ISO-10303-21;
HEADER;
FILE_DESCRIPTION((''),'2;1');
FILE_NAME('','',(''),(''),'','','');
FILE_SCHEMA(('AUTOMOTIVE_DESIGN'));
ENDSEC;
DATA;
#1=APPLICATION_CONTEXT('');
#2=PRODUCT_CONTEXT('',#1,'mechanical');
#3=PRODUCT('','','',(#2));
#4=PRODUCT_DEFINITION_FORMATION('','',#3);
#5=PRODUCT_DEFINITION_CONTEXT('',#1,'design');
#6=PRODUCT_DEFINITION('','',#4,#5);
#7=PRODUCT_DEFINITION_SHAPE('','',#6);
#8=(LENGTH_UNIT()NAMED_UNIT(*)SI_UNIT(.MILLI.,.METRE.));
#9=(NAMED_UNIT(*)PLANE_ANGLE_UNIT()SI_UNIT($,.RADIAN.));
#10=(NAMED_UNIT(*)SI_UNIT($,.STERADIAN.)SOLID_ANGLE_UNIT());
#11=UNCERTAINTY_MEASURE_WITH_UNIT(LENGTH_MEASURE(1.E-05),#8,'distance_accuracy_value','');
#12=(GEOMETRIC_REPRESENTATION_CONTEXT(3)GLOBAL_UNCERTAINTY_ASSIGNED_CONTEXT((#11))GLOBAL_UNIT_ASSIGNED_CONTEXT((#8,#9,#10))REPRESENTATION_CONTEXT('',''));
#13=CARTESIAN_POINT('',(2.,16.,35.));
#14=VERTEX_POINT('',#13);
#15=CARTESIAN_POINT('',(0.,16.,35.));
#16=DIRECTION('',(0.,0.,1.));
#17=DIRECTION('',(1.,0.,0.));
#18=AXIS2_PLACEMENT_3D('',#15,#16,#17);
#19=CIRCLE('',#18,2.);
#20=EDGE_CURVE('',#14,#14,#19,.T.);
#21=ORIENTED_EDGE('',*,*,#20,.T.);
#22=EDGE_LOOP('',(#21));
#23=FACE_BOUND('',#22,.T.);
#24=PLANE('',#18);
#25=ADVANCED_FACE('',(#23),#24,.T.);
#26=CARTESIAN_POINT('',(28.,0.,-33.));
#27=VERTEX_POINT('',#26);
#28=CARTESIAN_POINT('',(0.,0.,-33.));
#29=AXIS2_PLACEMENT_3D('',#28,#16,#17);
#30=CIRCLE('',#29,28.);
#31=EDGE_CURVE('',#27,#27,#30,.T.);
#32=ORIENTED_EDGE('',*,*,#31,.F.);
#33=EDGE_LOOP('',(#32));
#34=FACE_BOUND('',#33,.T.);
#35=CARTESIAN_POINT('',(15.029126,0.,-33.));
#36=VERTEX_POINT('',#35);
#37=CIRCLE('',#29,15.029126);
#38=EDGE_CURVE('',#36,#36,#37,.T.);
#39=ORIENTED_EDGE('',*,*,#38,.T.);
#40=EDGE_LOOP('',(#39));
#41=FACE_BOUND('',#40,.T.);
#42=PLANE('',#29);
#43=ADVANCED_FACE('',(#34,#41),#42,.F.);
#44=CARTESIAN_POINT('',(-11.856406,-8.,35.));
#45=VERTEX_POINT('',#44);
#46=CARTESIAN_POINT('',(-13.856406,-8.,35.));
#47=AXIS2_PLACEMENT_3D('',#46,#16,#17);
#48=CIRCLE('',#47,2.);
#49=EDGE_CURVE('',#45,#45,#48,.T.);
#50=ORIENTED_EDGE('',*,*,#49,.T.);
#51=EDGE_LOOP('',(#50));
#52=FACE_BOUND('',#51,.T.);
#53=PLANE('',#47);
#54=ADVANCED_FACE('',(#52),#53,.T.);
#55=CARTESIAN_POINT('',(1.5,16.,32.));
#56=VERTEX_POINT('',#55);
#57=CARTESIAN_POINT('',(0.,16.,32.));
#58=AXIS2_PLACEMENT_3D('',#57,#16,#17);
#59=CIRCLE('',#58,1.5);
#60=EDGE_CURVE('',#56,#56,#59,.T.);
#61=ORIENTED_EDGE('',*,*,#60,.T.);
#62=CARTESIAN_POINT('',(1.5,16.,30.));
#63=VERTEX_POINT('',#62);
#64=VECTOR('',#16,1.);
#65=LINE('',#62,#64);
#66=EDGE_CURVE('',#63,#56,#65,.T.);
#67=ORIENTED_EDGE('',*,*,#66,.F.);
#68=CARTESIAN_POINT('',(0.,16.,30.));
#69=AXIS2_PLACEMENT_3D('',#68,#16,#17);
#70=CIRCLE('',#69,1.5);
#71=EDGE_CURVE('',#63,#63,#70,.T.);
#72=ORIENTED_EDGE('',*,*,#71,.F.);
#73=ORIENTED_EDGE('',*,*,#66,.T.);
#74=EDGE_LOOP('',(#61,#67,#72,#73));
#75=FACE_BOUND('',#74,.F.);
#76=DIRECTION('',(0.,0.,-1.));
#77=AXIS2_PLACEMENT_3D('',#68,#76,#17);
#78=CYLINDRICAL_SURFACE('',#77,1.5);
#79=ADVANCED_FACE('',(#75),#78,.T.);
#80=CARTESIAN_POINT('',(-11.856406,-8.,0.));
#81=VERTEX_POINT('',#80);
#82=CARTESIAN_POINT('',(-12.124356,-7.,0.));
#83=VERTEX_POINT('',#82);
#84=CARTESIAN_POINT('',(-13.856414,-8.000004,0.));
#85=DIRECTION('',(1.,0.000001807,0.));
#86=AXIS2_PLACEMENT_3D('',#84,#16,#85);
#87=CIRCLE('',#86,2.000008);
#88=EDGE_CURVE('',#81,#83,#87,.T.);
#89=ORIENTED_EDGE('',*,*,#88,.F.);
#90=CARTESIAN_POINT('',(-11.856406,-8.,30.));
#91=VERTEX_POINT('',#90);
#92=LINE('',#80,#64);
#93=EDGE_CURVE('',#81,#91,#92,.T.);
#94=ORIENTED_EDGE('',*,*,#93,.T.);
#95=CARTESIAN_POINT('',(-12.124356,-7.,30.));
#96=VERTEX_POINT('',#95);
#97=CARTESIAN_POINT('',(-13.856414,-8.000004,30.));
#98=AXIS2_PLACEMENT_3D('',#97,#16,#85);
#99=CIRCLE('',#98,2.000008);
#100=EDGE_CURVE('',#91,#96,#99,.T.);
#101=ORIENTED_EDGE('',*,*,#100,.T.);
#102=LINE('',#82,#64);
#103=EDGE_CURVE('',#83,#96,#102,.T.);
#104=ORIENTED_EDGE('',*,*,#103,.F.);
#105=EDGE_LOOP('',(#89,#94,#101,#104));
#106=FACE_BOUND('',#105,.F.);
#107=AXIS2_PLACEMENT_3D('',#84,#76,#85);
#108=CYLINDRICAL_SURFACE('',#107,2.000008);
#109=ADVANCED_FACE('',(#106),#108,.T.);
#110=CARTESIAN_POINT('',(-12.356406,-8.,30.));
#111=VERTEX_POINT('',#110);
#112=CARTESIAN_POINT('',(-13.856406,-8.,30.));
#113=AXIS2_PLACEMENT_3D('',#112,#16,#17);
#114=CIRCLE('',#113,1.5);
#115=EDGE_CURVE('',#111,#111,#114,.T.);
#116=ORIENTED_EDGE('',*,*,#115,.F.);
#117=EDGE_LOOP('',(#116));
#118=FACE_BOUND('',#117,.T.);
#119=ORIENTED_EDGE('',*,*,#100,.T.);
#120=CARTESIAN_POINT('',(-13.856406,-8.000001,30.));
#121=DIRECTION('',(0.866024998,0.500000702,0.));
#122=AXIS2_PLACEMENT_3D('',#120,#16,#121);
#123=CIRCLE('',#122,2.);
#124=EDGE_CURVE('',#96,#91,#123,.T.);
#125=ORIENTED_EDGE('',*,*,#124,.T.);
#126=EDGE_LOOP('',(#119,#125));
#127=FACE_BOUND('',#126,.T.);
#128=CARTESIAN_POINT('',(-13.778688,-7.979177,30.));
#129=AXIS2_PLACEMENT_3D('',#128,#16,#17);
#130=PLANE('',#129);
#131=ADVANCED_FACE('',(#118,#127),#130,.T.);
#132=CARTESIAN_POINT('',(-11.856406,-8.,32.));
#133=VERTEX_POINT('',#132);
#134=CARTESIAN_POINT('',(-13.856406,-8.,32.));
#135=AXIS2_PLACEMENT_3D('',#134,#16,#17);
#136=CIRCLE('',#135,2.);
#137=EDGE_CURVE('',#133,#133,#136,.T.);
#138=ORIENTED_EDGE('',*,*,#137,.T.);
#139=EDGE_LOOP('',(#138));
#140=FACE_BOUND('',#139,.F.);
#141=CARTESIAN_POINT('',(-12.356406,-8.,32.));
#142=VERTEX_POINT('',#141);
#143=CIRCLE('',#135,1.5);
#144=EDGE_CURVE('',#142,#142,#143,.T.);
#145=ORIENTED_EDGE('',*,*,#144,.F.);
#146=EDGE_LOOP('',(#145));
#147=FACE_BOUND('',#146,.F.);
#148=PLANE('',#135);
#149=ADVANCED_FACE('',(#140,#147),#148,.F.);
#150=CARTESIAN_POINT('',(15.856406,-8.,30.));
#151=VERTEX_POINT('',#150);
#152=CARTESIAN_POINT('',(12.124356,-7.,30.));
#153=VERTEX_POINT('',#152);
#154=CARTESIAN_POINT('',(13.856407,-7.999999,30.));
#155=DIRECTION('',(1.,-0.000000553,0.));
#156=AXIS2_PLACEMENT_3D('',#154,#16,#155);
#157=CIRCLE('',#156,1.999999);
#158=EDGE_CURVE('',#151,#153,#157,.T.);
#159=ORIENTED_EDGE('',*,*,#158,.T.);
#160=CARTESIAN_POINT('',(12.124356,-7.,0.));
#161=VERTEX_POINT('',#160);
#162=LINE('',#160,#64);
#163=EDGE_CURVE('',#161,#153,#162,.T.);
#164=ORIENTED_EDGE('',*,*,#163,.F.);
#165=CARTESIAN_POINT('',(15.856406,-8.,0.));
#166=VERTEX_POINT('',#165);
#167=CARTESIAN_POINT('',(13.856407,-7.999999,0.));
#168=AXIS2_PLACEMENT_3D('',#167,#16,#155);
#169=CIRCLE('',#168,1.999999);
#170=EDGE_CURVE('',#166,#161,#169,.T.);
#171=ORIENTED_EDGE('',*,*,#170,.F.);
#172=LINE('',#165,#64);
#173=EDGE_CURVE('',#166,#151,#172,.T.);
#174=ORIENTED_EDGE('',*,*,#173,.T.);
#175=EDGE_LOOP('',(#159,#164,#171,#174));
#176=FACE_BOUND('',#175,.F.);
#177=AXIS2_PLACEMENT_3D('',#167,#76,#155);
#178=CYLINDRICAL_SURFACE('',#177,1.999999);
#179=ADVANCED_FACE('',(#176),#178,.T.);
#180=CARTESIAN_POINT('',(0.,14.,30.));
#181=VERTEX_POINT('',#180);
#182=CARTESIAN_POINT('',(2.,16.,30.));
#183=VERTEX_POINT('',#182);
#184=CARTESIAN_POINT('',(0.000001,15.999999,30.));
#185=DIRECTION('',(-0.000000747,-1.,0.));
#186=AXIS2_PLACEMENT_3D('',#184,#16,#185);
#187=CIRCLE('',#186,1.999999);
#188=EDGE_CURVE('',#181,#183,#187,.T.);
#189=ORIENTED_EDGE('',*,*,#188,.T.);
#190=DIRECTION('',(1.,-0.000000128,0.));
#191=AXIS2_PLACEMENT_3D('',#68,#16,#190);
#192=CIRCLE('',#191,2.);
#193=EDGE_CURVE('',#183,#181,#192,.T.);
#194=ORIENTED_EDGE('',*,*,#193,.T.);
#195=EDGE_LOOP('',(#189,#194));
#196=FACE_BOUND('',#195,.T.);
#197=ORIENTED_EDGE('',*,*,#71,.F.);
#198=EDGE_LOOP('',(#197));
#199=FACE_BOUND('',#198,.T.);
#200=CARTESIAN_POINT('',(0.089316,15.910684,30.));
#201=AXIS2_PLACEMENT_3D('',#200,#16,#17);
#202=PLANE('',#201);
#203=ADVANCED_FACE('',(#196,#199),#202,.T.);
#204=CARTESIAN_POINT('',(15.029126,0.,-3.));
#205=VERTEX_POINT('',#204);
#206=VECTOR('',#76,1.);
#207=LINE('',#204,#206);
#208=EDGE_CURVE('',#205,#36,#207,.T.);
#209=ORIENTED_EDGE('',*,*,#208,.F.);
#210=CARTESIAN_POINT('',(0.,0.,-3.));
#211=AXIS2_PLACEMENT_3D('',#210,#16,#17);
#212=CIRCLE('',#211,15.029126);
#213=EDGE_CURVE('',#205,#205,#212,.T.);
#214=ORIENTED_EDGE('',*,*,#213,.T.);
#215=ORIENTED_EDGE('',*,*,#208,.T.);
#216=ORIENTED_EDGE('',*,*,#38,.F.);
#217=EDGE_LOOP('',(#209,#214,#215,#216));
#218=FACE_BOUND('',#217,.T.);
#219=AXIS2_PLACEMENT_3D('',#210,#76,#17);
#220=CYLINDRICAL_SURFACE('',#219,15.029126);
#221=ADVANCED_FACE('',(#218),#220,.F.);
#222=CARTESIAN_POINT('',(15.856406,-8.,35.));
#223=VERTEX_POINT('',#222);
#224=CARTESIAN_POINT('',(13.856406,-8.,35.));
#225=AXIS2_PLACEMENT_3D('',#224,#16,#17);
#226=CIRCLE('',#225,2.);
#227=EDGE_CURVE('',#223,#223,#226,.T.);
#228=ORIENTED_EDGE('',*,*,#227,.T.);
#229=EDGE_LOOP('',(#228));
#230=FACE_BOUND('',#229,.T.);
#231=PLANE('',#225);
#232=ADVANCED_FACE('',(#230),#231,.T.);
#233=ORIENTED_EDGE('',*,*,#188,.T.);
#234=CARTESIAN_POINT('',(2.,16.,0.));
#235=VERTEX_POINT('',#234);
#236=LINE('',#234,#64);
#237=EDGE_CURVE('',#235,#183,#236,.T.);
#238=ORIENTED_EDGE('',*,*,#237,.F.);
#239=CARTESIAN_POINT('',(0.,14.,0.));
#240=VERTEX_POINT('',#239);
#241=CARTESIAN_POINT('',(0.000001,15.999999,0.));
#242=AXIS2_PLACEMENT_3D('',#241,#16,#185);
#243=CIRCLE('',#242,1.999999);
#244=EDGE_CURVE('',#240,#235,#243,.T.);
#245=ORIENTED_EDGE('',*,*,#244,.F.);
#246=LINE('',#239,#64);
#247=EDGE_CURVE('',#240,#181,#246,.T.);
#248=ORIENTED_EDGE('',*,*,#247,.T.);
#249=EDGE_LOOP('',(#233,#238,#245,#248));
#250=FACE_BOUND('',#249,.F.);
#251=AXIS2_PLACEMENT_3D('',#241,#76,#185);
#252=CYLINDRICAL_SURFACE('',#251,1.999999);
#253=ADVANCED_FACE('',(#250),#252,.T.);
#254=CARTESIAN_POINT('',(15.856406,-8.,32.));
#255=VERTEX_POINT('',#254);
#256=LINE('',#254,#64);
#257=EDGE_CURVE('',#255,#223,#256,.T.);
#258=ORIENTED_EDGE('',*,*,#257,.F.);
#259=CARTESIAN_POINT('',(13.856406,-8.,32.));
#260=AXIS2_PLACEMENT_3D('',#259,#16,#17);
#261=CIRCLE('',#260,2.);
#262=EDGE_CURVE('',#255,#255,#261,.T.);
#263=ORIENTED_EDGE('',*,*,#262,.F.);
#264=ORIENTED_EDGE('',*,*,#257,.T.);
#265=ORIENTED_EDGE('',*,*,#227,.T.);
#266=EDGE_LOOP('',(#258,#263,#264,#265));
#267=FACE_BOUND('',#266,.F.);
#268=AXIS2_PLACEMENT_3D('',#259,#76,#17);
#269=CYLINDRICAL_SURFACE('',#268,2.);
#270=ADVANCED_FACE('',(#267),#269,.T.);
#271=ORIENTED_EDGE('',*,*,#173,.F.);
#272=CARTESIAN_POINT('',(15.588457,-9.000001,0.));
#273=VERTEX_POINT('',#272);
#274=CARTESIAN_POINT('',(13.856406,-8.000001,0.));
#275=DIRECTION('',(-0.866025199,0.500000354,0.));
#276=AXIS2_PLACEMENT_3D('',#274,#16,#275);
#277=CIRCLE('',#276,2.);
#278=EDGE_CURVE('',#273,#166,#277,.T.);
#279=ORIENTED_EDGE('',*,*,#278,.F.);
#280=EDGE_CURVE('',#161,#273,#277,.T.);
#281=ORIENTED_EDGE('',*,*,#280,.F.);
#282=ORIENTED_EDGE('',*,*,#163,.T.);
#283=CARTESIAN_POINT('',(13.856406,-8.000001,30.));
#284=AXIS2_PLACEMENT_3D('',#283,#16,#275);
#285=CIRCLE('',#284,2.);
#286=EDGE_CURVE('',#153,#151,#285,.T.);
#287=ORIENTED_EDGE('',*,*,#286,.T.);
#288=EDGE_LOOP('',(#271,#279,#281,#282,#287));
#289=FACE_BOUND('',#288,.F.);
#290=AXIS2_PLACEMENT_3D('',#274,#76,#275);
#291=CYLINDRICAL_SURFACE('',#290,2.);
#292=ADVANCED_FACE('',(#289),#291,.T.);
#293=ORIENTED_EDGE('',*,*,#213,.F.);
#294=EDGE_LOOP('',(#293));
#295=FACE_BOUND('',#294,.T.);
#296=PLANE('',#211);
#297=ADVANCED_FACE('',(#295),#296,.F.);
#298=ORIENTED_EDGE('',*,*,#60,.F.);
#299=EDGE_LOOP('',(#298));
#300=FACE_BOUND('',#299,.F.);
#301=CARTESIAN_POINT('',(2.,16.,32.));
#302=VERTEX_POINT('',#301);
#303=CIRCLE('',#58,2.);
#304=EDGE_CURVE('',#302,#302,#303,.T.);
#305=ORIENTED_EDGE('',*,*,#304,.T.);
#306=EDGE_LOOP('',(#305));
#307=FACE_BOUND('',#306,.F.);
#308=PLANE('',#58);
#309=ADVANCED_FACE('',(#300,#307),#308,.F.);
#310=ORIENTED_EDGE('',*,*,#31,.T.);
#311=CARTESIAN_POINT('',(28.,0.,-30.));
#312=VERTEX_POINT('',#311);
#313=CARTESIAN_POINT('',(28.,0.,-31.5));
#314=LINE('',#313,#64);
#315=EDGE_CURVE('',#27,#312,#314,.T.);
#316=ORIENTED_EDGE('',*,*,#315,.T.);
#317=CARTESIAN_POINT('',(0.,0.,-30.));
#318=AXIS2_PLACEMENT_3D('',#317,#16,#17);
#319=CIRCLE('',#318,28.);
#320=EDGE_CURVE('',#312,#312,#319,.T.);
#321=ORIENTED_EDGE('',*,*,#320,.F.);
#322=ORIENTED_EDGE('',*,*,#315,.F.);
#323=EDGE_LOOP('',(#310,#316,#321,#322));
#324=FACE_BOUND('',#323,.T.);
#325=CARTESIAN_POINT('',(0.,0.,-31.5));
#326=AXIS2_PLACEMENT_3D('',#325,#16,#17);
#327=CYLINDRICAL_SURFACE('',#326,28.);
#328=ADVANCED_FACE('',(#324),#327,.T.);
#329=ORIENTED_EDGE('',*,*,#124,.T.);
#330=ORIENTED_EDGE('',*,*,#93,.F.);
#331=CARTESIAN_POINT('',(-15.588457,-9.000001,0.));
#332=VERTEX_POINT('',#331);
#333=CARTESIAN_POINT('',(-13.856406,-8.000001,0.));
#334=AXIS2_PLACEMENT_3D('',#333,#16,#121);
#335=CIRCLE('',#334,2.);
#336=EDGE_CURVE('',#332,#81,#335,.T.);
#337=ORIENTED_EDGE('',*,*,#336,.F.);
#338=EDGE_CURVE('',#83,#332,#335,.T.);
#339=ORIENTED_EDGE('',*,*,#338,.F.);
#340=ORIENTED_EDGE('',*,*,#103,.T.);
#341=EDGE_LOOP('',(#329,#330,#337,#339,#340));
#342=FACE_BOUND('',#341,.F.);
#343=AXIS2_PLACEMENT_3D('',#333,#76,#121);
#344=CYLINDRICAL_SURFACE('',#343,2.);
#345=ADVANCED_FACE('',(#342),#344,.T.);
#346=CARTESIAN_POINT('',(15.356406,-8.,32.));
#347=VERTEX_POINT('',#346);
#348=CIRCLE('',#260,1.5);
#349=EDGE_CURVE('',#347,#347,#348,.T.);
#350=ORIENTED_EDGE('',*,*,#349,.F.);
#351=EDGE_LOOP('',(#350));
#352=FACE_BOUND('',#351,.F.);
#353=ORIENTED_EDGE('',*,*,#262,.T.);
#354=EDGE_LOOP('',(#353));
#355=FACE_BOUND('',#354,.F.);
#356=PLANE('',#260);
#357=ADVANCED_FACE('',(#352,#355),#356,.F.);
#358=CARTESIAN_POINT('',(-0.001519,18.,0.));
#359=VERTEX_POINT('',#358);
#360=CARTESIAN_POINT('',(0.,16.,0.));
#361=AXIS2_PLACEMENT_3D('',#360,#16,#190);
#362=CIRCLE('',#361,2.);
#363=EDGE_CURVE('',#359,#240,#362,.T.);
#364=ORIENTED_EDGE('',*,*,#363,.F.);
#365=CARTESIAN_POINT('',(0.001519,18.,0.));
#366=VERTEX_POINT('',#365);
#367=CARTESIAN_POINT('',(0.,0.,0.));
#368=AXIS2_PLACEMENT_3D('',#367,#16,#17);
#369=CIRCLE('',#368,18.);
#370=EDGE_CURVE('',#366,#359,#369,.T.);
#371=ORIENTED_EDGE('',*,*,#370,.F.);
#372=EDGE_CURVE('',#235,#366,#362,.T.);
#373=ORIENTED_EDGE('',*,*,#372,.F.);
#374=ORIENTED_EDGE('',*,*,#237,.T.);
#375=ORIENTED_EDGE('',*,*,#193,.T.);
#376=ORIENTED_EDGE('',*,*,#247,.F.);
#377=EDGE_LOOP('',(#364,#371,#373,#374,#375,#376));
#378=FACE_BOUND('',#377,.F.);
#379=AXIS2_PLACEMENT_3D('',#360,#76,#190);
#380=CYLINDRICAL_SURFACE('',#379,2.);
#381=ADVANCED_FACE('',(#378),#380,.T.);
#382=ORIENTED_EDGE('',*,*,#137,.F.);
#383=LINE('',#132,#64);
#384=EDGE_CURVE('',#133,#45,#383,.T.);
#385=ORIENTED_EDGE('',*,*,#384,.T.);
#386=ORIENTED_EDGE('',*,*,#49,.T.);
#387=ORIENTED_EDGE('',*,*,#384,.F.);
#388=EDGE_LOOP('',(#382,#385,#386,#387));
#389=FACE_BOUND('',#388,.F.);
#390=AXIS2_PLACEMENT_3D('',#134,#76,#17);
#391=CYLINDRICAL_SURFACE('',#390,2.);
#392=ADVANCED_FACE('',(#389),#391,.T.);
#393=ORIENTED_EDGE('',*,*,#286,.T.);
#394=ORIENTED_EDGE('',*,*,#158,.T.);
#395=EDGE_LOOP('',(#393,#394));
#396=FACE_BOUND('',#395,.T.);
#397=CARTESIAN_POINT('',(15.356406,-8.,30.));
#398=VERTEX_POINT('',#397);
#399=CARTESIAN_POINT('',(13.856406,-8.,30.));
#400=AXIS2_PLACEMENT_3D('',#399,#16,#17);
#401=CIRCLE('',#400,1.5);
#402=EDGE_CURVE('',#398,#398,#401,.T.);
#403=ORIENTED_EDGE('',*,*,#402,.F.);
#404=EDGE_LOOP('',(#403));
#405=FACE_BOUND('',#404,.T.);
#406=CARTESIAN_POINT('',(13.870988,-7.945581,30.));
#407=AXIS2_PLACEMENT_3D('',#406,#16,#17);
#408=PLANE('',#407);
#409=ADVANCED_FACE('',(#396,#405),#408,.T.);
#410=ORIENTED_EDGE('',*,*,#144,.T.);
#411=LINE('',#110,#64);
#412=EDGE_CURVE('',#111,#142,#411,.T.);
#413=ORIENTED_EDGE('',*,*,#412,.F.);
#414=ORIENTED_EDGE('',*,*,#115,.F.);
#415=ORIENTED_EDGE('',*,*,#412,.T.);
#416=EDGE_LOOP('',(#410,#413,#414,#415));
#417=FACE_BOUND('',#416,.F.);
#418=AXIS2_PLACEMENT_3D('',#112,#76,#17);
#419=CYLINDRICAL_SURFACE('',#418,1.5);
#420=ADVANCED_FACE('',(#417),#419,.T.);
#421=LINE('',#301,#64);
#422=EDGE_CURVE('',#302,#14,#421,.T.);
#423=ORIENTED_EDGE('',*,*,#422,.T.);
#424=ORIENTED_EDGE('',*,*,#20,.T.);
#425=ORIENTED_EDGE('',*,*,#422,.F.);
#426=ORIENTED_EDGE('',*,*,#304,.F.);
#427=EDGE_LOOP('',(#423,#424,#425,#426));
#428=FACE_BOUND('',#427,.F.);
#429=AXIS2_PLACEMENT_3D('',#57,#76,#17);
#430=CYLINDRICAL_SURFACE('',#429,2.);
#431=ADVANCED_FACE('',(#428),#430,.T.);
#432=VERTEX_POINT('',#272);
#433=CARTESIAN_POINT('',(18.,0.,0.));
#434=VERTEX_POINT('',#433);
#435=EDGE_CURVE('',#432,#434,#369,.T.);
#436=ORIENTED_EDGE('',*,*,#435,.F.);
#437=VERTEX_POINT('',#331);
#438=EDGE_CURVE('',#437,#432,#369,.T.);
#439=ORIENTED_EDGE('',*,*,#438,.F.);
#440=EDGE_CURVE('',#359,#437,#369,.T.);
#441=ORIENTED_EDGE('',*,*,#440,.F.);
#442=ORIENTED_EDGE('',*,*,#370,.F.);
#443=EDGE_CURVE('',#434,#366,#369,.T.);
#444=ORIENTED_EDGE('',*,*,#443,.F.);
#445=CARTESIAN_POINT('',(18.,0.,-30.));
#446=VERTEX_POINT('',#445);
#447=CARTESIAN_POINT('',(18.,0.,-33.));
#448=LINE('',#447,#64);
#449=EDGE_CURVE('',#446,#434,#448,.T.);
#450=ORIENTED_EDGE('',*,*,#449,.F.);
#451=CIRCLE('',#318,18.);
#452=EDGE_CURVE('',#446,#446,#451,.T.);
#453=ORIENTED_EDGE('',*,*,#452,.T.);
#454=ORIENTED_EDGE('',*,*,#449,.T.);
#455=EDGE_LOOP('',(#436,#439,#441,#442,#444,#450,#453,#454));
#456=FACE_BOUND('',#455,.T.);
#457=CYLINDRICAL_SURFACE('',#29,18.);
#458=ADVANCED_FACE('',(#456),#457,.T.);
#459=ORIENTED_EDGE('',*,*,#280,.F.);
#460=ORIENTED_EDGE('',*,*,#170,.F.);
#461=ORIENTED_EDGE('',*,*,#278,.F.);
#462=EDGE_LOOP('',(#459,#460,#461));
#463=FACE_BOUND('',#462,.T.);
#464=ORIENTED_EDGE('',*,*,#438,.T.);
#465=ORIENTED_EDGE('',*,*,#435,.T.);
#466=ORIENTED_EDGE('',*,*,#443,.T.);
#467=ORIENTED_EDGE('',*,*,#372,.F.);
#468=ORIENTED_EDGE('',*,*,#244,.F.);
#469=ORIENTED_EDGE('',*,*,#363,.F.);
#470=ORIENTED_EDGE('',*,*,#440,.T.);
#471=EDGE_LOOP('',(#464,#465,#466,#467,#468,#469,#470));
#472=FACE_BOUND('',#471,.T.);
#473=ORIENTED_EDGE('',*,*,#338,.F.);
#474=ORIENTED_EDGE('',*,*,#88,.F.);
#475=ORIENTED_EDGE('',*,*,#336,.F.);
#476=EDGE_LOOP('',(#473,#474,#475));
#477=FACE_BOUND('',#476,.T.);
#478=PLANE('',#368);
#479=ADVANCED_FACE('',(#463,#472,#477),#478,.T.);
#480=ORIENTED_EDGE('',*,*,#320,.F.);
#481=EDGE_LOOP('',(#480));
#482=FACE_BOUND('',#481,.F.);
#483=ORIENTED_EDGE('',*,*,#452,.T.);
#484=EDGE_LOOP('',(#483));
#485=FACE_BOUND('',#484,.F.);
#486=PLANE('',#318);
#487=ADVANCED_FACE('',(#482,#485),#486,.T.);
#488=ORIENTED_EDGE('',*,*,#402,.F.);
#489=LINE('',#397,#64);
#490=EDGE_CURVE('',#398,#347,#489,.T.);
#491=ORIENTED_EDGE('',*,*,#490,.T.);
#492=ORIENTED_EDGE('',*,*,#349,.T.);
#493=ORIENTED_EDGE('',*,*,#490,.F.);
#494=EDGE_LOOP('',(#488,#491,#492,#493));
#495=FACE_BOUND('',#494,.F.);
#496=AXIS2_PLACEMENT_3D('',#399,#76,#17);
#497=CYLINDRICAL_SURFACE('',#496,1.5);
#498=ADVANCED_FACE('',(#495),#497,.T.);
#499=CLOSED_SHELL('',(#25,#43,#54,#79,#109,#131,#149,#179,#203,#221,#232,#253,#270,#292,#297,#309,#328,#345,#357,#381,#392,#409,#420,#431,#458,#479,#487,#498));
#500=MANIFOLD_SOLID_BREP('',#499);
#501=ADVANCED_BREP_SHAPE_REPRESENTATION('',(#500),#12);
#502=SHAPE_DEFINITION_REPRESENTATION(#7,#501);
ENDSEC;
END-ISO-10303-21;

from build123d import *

# Parameters (mm, degrees)
F0_W      = 10
F0_H      = 3
F3_DEPTH  = 30
F4_R      = 1.5
F5_DEPTH  = 2
F6_R      = 2
F7_DEPTH  = 3
F8_R      = 1.5
F9_DEPTH  = 2
F10_R     = 2
F11_DEPTH = 3
F12_R     = 1.5
F13_DEPTH = 2
F14_R     = 2
F15_DEPTH = 3


with BuildPart() as f1:
    # F0 (on Front) → F1 (revolve)
    with BuildSketch(Plane.XZ):
        Polygon((18, -30), (18, -3), (15.029126, -3), (15.029126, -33), (18, -33), align=None)
        Polygon((15.029126, -3), (18, -3), (18, 0), (0, 0), (0, -3), align=None)
        with Locations((23, -31.5)):
            Rectangle(F0_W, F0_H)
    revolve(axis=Axis((0, 0, -1.5), (0, 0, 1)))

    # F2 (on face) → F3 (join)
    with BuildSketch(Plane.XY):
        with BuildLine():
            ThreePointArc((0, 14), (1.414214, 14.585786), (2, 16))
            ThreePointArc((2, 16), (-1.414214, 17.414214), (0, 14))
        make_face()
        with BuildLine():
            ThreePointArc((15.856406, -8), (14.374045, -6.068148), (12.124356, -7))
            ThreePointArc((12.124356, -7), (13.338768, -9.931852), (15.856406, -8))
        make_face()
        with BuildLine():
            ThreePointArc((-11.856406, -8), (-11.924555, -7.482362), (-12.124356, -7))
            ThreePointArc((-12.124356, -7), (-15.788258, -8.517638), (-11.856406, -8))
        make_face()
    extrude(amount=F3_DEPTH)

    # F4 (on face) → F5 (join)
    with BuildSketch(Plane.XY.offset(30)):
        with Locations((13.856406, -8)):
            Circle(F4_R)
    extrude(amount=F5_DEPTH)

    # F6 (on face) → F7 (join)
    with BuildSketch(Plane.XY.offset(32)):
        with Locations((13.856406, -8)):
            Circle(F6_R)
    extrude(amount=F7_DEPTH)

    # F8 (on face) → F9 (join)
    with BuildSketch(Plane.XY.offset(30)):
        with Locations((0, 16)):
            Circle(F8_R)
    extrude(amount=F9_DEPTH)

    # F10 (on face) → F11 (join)
    with BuildSketch(Plane.XY.offset(32)):
        with Locations((0, 16)):
            Circle(F10_R)
    extrude(amount=F11_DEPTH)

    # F12 (on face) → F13 (join)
    with BuildSketch(Plane.XY.offset(30)):
        with Locations((-13.856406, -8)):
            Circle(F12_R)
    extrude(amount=F13_DEPTH)

    # F14 (on face) → F15 (join)
    with BuildSketch(Plane.XY.offset(32)):
        with Locations((-13.856406, -8)):
            Circle(F14_R)
    extrude(amount=F15_DEPTH)


solid = f1.part
